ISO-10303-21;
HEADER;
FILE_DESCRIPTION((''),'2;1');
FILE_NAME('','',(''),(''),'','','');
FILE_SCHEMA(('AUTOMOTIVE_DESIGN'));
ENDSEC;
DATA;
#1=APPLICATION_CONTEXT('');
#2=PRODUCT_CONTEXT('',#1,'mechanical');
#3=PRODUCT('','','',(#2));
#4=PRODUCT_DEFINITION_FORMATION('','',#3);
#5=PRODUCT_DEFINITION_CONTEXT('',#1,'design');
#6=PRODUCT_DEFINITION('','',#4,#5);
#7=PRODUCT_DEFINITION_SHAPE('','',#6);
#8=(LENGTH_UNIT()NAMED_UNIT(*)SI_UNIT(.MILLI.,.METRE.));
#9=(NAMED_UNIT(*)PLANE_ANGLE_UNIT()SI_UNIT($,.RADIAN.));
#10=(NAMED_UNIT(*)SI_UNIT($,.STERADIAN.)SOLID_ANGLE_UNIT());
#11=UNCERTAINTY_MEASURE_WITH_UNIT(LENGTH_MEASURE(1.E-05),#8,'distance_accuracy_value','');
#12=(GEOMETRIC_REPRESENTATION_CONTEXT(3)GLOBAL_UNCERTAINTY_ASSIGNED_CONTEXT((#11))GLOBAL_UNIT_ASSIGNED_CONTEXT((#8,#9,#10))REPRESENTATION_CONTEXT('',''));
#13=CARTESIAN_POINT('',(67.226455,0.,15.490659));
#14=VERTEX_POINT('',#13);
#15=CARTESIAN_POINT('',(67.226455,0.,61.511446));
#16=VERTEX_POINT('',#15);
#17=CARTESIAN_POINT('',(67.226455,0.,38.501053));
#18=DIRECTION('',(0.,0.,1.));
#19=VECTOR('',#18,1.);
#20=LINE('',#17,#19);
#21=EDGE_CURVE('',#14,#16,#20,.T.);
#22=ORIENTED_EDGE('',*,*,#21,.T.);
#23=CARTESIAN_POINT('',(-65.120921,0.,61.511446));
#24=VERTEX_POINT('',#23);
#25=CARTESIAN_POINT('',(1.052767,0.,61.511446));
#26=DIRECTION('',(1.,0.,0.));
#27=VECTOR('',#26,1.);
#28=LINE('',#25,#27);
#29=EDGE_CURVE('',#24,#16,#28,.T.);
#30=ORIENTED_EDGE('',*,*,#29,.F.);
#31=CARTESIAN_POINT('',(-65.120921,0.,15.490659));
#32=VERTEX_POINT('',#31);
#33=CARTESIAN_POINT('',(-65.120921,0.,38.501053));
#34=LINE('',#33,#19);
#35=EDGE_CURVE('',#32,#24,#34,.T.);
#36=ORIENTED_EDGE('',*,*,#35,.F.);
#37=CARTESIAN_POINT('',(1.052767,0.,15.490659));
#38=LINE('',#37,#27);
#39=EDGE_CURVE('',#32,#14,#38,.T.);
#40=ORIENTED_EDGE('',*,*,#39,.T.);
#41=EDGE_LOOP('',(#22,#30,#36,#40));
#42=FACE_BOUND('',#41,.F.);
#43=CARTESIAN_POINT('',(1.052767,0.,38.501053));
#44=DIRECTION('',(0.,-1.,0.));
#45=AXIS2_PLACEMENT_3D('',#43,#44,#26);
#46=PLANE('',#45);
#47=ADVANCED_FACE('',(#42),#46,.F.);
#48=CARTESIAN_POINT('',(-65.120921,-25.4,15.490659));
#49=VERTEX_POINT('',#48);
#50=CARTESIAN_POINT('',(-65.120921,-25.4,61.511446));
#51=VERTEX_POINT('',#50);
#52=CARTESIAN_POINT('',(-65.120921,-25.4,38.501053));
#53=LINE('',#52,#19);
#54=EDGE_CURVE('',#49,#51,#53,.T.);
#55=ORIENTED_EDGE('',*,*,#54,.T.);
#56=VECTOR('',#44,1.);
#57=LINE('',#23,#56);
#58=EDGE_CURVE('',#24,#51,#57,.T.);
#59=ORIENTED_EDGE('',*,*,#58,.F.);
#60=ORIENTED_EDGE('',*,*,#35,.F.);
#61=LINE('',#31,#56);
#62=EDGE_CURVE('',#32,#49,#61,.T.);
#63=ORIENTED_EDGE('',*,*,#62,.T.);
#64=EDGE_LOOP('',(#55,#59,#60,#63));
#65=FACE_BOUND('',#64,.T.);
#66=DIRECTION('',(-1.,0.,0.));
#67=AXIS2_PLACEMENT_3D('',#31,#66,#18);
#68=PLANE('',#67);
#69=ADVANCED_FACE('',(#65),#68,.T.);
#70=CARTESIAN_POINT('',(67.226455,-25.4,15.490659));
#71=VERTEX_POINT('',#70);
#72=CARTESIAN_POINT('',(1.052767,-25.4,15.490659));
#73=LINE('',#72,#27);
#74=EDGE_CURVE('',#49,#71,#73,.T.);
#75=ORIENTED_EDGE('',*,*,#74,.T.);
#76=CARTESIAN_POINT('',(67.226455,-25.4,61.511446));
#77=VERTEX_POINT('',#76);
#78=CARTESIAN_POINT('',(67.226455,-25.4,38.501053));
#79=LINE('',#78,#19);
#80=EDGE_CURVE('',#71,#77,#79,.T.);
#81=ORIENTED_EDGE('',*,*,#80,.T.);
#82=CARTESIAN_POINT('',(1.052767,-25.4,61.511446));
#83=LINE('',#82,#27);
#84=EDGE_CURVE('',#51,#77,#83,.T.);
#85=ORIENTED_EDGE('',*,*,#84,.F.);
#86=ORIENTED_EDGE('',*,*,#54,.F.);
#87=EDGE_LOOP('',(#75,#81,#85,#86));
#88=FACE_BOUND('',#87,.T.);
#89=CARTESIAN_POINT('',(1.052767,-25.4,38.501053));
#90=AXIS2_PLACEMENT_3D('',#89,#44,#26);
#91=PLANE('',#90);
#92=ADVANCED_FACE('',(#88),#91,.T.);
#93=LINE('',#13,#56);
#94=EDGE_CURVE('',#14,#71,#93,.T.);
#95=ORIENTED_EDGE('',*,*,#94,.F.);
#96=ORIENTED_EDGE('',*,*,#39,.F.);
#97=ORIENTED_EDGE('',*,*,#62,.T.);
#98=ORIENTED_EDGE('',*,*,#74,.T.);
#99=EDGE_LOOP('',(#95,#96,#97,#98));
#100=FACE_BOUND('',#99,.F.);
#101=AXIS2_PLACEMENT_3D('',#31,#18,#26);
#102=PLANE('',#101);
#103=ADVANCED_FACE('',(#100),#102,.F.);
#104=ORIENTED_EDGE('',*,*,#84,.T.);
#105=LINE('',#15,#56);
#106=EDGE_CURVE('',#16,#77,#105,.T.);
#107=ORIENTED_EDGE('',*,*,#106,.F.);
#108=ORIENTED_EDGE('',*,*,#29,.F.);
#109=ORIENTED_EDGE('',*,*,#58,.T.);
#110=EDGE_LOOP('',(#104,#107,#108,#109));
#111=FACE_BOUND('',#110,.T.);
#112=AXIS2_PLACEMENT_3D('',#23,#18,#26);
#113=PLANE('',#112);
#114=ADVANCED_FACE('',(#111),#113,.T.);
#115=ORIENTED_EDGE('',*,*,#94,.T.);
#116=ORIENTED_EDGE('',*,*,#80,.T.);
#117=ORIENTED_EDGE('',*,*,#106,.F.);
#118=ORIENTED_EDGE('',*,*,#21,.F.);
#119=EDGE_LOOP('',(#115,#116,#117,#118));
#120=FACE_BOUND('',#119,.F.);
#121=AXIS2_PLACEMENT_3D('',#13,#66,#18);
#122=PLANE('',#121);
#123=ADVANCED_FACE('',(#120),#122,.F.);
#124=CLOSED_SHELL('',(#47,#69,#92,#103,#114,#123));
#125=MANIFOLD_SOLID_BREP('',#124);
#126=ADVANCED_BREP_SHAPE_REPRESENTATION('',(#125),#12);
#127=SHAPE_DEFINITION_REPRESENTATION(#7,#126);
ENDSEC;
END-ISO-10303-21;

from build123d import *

# Parameters (mm, degrees)
F0_R     = 18.42934
F1_DEPTH = 25.4
F0_W     = 132.347376
F0_H     = 46.020787
F2_DEPTH = 25.4


with BuildPart() as f1:
    # F0 (on Front) → F1 (new body)
    with BuildSketch(Plane.XZ):
        with Locations((-41.358553, 39.253026)):
            Circle(F0_R)
    extrude(amount=F1_DEPTH)

    # F0 (on Front) → F2 (join)
    with BuildSketch(Plane.XZ):
        with Locations((1.052767, 38.501053)):
            Rectangle(F0_W, F0_H)
        with Locations((-41.358553, 39.253026)):
            Circle(F0_R, mode=Mode.SUBTRACT)
    extrude(amount=F2_DEPTH)


solid = f1.part
